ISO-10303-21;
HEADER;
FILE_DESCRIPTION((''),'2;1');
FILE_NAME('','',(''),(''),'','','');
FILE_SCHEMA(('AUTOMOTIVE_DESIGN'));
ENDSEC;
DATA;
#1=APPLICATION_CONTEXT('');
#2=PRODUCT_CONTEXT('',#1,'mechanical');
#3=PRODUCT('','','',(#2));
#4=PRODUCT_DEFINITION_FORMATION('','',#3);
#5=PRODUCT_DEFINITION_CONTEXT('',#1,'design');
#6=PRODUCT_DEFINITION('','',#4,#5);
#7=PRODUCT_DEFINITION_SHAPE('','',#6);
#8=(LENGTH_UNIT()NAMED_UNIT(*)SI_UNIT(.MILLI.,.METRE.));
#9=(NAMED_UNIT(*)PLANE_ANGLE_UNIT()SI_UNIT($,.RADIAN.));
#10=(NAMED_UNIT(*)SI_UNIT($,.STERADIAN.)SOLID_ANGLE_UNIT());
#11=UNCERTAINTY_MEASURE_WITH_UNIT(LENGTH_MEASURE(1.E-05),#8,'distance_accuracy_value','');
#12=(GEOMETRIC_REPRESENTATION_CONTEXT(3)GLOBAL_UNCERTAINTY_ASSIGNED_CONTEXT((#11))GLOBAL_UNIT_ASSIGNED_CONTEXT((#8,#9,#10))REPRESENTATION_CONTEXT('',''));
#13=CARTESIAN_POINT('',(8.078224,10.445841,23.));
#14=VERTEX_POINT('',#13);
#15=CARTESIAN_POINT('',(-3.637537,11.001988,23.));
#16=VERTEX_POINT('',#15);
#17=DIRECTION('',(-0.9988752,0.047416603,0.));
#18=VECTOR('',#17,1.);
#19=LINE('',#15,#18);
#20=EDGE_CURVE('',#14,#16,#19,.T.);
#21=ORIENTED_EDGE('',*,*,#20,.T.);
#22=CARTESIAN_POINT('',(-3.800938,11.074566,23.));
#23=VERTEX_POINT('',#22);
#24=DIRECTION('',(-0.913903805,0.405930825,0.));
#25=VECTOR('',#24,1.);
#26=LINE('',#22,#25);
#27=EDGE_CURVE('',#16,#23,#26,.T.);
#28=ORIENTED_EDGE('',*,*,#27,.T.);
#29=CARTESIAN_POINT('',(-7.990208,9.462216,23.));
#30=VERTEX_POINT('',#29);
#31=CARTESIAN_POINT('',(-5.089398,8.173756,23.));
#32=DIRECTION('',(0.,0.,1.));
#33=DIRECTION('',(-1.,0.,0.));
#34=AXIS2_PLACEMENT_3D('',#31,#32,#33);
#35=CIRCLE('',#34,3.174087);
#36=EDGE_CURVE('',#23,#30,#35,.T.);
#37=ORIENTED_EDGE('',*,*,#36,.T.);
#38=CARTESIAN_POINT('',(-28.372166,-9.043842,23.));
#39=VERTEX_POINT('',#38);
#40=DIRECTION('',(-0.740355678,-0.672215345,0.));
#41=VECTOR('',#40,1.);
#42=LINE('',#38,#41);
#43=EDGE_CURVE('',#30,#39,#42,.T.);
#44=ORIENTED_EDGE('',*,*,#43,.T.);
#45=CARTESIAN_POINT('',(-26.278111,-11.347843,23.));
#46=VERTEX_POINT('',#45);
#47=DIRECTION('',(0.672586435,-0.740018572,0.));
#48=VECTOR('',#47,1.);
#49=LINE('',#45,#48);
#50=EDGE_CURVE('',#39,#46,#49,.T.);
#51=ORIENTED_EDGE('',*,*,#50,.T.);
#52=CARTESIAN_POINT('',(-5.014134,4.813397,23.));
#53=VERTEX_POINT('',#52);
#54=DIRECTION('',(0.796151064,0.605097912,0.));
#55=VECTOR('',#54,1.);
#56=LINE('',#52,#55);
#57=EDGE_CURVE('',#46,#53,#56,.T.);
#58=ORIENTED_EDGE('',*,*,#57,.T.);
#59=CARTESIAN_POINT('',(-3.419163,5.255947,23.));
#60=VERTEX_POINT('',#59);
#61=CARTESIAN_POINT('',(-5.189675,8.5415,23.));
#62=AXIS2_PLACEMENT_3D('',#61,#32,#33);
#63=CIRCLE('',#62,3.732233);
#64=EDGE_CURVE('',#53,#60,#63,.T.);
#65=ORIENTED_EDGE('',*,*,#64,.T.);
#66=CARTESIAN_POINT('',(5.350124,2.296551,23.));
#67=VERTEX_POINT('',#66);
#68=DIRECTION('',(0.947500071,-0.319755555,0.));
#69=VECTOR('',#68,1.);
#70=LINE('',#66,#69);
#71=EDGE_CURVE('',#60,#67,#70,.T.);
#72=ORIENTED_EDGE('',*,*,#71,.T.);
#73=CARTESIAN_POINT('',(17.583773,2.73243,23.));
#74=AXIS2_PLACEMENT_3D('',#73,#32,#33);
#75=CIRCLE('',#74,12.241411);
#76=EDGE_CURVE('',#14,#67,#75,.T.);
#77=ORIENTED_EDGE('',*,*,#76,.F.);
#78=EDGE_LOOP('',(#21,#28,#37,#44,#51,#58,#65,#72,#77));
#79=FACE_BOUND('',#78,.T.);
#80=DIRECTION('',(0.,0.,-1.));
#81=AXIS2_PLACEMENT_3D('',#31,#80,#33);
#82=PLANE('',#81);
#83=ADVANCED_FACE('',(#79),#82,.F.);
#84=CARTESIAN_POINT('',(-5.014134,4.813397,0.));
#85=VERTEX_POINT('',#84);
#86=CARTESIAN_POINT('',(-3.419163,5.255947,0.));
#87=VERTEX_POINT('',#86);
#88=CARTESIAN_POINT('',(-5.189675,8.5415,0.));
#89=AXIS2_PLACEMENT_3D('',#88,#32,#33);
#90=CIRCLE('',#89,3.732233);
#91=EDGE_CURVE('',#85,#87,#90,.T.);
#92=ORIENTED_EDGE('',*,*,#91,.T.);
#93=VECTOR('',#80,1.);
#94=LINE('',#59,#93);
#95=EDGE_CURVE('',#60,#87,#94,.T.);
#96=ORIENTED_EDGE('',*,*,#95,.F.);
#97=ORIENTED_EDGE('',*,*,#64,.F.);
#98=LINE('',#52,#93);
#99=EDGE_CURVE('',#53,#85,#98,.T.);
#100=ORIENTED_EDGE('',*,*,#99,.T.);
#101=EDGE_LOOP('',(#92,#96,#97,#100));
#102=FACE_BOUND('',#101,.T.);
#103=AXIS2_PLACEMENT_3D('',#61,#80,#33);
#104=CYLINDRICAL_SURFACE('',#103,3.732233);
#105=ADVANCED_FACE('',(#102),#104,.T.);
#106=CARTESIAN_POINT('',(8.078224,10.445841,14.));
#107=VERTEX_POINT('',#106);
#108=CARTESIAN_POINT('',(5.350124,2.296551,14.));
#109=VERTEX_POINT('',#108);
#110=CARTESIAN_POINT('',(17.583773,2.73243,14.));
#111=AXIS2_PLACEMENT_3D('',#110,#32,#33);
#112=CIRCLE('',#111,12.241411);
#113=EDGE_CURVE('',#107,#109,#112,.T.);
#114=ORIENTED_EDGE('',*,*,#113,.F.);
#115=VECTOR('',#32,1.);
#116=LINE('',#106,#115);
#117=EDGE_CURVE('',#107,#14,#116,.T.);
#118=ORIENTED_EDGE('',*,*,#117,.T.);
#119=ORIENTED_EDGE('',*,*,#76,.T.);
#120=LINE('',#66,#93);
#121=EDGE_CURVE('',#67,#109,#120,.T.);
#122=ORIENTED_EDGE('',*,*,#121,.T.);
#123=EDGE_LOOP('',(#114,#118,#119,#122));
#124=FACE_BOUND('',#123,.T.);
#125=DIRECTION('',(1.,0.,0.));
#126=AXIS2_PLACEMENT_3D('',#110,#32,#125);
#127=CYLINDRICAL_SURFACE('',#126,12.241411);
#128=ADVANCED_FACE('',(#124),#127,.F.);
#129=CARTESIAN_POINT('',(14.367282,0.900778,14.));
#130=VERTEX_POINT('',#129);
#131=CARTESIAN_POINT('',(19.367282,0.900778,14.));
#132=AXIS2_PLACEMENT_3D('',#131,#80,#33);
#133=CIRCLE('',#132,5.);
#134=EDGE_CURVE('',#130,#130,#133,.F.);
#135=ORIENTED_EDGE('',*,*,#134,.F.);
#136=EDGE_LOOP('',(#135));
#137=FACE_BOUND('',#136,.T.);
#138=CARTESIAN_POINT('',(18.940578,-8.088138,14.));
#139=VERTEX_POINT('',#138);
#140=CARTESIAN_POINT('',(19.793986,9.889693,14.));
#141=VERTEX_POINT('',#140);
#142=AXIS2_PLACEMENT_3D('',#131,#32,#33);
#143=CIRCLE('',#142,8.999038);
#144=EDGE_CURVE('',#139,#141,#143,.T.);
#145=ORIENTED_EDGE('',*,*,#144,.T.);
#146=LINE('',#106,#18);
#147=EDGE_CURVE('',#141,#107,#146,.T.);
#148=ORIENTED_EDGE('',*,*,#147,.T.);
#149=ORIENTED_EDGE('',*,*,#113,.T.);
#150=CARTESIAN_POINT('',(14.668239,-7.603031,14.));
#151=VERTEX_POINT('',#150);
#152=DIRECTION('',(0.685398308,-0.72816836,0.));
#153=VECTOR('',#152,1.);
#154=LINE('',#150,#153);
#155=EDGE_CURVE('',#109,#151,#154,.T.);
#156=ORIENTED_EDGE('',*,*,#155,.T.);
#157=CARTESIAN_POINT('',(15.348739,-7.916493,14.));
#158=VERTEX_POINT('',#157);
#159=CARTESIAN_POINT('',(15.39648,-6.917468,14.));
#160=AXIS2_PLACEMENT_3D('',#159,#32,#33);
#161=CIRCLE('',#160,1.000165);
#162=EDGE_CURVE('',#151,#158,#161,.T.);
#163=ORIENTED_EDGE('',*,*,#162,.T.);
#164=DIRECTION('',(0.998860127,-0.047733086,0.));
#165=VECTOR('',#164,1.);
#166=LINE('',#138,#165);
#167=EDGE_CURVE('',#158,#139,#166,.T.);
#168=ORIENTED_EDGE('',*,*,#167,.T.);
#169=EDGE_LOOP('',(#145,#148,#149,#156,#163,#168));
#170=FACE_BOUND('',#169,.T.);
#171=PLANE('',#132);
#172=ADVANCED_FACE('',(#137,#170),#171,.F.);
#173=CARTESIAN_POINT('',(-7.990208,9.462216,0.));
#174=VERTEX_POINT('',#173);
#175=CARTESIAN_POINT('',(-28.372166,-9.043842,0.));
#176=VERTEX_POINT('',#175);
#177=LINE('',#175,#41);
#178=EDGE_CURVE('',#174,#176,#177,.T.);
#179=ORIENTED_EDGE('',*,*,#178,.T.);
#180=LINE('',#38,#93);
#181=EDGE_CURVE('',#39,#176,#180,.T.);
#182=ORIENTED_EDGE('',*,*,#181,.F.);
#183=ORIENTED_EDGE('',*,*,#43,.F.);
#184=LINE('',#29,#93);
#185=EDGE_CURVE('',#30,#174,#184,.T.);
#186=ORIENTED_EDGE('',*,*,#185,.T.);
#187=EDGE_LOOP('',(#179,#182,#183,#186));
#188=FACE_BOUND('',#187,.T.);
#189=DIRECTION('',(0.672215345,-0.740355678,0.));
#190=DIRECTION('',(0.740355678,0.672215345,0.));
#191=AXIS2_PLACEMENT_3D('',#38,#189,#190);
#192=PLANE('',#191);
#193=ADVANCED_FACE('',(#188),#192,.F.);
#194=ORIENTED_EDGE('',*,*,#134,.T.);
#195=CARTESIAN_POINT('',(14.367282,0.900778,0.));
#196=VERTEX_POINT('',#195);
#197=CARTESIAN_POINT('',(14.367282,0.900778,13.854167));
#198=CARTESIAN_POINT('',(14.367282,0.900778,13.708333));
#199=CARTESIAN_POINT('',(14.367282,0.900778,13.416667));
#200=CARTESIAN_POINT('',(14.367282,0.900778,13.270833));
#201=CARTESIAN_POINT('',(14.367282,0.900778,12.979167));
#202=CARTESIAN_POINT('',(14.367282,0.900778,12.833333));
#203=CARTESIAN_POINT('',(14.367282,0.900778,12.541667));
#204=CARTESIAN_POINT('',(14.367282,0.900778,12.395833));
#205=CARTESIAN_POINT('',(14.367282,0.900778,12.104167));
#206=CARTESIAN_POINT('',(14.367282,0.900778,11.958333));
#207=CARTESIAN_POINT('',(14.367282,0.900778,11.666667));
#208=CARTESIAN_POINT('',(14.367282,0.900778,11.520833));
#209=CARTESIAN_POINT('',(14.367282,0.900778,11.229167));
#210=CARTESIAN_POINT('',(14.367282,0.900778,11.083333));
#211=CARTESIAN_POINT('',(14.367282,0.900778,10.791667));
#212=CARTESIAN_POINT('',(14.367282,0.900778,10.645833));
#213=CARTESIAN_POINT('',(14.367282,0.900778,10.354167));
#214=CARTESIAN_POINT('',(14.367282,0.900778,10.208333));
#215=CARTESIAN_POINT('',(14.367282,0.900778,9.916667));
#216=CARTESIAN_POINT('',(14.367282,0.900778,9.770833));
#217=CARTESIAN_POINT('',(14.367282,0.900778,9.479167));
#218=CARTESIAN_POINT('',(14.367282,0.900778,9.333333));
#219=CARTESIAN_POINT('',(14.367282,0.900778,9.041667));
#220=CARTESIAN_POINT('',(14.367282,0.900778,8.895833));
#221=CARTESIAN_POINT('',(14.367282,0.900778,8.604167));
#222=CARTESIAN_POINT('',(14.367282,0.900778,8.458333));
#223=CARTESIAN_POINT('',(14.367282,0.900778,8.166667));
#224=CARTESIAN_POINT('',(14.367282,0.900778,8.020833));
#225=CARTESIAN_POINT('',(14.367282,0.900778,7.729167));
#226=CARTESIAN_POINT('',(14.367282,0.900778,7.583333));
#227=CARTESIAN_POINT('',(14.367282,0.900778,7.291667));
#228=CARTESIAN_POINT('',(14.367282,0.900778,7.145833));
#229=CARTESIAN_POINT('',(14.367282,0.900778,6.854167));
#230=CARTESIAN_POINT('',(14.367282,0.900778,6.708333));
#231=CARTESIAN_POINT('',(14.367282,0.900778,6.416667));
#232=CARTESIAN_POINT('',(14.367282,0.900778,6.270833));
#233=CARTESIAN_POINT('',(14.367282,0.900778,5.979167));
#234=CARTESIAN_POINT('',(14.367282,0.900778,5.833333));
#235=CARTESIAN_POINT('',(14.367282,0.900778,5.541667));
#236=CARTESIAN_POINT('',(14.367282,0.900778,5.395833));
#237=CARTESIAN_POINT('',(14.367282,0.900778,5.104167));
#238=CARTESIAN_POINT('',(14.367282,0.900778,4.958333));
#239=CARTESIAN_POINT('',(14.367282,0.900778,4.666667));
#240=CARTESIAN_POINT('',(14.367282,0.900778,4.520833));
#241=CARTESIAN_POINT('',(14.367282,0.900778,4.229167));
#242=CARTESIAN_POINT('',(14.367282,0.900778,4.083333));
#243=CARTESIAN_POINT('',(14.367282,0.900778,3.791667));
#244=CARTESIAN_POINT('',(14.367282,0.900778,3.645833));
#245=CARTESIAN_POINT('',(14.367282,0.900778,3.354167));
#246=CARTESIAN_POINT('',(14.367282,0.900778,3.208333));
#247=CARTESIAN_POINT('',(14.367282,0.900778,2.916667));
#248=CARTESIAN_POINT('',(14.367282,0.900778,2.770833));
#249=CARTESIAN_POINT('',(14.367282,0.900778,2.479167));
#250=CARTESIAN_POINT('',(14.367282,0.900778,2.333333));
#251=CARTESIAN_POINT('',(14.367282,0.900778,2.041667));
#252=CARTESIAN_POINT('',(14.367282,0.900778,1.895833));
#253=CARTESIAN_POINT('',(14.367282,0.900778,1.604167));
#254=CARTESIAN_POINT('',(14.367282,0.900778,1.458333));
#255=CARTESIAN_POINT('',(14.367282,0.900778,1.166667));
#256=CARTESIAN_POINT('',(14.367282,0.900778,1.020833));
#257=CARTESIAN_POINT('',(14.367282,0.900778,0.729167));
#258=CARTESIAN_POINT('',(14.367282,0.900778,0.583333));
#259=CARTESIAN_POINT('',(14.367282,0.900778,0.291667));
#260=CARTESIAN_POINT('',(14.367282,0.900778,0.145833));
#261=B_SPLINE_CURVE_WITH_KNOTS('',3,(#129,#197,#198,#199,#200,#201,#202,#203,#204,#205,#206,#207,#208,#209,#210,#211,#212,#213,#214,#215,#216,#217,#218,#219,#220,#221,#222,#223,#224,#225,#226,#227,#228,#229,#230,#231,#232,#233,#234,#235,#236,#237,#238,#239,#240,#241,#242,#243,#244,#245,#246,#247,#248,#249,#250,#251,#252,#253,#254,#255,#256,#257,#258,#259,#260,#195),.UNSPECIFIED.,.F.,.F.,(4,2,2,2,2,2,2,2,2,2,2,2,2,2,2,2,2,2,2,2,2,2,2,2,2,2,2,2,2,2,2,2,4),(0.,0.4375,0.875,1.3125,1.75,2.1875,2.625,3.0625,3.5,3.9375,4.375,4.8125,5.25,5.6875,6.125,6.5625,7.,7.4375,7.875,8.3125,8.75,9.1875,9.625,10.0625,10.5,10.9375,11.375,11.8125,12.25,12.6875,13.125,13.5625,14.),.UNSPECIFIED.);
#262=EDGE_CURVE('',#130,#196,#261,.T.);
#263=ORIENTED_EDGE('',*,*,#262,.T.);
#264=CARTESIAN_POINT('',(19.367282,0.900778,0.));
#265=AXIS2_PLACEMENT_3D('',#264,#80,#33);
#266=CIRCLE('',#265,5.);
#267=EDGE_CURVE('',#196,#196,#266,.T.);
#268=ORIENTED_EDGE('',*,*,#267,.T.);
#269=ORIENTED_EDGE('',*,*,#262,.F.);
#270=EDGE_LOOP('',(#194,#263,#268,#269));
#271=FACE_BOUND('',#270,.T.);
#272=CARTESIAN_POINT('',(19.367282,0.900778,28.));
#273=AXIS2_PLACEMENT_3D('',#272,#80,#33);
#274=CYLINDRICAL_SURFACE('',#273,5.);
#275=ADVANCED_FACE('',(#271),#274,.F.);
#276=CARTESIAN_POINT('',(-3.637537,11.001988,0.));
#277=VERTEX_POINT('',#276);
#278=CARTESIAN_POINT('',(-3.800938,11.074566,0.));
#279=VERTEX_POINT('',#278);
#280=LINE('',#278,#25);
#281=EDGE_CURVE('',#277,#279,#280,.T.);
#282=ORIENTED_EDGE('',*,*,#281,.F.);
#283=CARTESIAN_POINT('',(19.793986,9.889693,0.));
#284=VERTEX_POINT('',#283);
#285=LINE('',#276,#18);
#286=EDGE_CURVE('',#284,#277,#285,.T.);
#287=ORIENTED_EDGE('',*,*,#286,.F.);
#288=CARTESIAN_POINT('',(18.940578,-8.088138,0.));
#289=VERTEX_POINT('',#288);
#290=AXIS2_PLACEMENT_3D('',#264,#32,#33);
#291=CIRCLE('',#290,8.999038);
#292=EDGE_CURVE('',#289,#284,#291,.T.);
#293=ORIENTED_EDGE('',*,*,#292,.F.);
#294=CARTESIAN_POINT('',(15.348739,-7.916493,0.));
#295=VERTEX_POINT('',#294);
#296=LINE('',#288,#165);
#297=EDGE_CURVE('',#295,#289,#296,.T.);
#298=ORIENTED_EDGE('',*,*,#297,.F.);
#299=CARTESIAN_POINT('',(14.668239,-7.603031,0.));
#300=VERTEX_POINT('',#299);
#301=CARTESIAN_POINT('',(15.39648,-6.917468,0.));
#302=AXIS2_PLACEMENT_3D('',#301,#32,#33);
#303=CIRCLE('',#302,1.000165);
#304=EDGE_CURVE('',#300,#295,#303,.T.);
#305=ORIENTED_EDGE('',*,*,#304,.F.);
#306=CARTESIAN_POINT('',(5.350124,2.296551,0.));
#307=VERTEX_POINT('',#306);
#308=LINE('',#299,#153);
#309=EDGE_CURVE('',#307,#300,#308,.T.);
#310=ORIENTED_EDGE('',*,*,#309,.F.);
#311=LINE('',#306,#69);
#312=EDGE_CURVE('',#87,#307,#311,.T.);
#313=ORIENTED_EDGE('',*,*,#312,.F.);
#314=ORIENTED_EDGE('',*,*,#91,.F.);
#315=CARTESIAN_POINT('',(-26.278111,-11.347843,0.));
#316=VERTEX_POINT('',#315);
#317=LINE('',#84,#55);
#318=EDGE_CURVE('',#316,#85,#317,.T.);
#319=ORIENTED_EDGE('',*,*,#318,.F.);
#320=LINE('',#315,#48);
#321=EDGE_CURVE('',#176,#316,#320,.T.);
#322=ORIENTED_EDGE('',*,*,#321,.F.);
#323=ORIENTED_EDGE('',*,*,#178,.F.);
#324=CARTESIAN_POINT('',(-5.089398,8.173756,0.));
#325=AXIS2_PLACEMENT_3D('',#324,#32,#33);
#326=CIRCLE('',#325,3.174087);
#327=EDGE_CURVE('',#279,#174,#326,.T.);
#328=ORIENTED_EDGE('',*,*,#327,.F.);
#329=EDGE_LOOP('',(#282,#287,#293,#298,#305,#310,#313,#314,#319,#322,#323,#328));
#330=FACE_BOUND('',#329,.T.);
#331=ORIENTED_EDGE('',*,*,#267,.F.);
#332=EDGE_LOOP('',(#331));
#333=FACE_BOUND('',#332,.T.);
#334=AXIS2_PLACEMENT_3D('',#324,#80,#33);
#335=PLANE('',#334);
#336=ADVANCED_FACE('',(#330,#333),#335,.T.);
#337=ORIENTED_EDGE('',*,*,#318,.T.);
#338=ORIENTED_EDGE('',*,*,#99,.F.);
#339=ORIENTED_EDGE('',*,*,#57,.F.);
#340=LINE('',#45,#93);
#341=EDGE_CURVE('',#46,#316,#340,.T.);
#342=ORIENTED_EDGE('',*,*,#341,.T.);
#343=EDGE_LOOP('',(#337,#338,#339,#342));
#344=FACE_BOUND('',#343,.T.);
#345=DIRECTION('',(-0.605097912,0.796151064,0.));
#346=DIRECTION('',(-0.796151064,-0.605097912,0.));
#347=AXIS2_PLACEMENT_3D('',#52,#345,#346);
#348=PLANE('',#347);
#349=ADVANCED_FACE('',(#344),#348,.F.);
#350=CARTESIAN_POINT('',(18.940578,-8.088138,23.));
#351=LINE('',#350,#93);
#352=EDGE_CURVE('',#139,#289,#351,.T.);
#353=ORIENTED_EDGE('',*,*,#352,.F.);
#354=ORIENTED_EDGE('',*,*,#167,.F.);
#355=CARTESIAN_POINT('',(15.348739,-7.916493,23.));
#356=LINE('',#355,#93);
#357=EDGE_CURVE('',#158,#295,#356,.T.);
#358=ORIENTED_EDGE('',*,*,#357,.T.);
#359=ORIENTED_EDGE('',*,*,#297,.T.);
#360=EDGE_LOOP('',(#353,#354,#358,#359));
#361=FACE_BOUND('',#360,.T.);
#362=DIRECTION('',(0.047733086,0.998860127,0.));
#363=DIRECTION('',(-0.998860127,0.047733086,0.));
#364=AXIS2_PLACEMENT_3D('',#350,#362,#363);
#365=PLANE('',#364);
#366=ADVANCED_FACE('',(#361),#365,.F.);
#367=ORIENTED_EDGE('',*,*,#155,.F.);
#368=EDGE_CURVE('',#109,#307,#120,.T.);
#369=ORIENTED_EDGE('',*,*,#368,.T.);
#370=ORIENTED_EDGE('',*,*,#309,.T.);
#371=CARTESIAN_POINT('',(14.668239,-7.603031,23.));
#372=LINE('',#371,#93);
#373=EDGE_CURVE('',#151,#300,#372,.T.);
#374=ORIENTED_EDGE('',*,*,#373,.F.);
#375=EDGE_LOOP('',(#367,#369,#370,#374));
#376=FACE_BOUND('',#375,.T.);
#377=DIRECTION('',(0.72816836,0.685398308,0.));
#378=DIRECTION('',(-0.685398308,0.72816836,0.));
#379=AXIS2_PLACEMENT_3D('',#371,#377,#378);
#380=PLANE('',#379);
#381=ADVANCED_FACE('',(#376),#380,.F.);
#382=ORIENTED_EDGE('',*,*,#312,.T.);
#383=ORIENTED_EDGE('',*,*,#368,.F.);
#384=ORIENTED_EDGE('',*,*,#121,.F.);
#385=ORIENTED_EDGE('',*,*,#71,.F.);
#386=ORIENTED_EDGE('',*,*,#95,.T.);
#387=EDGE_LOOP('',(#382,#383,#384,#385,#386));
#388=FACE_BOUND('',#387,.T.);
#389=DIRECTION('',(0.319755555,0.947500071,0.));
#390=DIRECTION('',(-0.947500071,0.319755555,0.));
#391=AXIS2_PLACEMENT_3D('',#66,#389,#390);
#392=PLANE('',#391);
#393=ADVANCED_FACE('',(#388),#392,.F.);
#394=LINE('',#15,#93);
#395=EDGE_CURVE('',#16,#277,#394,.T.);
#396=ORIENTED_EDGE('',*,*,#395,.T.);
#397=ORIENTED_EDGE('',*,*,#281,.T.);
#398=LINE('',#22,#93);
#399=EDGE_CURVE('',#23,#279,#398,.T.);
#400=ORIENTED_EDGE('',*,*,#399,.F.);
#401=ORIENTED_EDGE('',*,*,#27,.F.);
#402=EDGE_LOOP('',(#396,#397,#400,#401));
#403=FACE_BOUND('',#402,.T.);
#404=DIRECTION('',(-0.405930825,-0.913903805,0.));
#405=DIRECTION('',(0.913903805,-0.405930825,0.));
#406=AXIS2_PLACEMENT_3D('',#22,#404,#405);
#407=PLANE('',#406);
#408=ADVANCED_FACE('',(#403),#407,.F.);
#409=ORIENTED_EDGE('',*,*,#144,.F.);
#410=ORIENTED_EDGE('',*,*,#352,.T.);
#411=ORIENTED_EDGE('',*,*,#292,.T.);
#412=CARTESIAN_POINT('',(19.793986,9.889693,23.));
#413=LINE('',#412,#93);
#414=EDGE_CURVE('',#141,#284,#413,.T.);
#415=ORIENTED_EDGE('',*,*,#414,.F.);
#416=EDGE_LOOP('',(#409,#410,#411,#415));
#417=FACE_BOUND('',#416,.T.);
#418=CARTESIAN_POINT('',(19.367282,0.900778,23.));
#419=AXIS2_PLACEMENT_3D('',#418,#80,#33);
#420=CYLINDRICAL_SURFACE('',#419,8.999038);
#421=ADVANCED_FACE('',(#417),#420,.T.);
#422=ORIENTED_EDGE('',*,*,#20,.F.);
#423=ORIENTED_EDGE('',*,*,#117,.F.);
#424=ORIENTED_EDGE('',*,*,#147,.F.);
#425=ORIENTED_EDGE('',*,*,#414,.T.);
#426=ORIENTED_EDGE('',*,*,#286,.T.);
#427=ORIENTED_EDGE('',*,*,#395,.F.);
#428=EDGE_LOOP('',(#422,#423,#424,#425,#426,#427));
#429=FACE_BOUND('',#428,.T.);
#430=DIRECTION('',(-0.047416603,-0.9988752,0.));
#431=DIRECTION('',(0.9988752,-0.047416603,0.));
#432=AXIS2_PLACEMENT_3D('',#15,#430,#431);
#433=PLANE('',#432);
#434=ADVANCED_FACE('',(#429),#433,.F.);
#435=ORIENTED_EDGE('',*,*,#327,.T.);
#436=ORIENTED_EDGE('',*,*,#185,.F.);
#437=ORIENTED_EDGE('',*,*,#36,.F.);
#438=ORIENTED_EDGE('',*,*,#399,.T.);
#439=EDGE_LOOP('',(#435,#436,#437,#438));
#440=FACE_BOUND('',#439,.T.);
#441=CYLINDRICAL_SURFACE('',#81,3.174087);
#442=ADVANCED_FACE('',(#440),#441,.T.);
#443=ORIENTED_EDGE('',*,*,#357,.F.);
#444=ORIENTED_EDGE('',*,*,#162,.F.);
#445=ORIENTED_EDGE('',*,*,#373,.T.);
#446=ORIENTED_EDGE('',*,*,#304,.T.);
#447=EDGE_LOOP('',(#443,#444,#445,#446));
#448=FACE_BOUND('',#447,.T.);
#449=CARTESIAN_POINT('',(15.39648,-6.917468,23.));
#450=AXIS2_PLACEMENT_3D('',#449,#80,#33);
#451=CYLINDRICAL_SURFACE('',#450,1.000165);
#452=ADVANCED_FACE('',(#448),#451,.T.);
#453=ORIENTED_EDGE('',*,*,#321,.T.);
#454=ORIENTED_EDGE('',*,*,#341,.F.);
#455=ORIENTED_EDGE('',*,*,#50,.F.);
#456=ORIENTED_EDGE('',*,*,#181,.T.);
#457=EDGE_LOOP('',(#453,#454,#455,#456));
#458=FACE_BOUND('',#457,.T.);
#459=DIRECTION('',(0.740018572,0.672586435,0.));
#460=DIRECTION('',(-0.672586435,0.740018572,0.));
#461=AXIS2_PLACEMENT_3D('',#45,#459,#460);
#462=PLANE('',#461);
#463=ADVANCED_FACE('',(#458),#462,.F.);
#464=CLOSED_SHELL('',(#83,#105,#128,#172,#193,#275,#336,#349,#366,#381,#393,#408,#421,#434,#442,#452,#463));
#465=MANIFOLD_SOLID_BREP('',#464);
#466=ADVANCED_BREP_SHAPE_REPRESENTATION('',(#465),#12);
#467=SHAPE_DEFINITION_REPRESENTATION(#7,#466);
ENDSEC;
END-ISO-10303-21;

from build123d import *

# Parameters (mm, degrees)
BOSS_EXTRUDE1_DEPTH = 23
SKETCH4_R           = 5
CUT_EXTRUDE3_DEPTH  = 28
CUT_EXTRUDE6_START  = -9
CUT_EXTRUDE6_DEPTH  = 9


with BuildPart() as part:
    # Sketch1 → Boss-Extrude1 (new body)
    with BuildSketch(Plane.XY):
        with BuildLine():
            Line((-26.278110913, -11.347842937), (-28.372166089, -9.043842083))
            Line((-28.372166089, -9.043842083), (-7.990208081, 9.462215656))
            ThreePointArc((-7.990208081, 9.462215656), (-6.229501786, 11.136017118), (-3.800938061, 11.07456612))
            Line((-3.800938061, 11.07456612), (-3.637536714, 11.001987755))
            Line((-3.637536714, 11.001987755), (19.793985679, 9.88969345))
            ThreePointArc((19.793985679, 9.88969345), (28.356197765, 0.474073738), (18.940578052, -8.088138348))
            Line((18.940578052, -8.088138348), (15.348738563, -7.91649311))
            ThreePointArc((15.348738563, -7.91649311), (14.978028358, -7.825889172), (14.668239185, -7.603030926))
            Line((14.668239185, -7.603030926), (5.35012395, 2.296550983))
            Line((5.35012395, 2.296550983), (-3.419163159, 5.255947346))
            ThreePointArc((-3.419163159, 5.255947346), (-4.191805611, 4.94513719), (-5.014133862, 4.813396687))
            Line((-5.014133862, 4.813396687), (-26.278110913, -11.347842937))
        make_face()
    extrude(amount=BOSS_EXTRUDE1_DEPTH)

    # Sketch4 → Cut-Extrude3 (cut)
    with BuildSketch(Plane(origin=(0, 0, 0), x_dir=(-1, 0, 0), z_dir=(0, 0, -1))):
        with Locations((-19.367281866, 0.900777551)):
            Circle(SKETCH4_R)
    extrude(amount=-CUT_EXTRUDE3_DEPTH, mode=Mode.SUBTRACT)

    # Sketch5 → Cut-Extrude6 (cut)
    with BuildSketch(Plane.XY.offset(23).offset(CUT_EXTRUDE6_START)):
        with BuildLine():
            Line((8.078224483, 10.445840603), (19.793985679, 9.88969345))
            ThreePointArc((19.793985679, 9.88969345), (28.356197765, 0.474073738), (18.940578052, -8.088138348))
            Line((18.940578052, -8.088138348), (15.348738563, -7.91649311))
            ThreePointArc((15.348738563, -7.91649311), (14.978028358, -7.825889172), (14.668239185, -7.603030926))
            Line((14.668239185, -7.603030926), (5.35012395, 2.296550983))
            ThreePointArc((5.35012395, 2.296550983), (5.975547098, 6.618462626), (8.078224483, 10.445840603))
        make_face()
    extrude(amount=CUT_EXTRUDE6_DEPTH, mode=Mode.SUBTRACT)


solid = part.part
